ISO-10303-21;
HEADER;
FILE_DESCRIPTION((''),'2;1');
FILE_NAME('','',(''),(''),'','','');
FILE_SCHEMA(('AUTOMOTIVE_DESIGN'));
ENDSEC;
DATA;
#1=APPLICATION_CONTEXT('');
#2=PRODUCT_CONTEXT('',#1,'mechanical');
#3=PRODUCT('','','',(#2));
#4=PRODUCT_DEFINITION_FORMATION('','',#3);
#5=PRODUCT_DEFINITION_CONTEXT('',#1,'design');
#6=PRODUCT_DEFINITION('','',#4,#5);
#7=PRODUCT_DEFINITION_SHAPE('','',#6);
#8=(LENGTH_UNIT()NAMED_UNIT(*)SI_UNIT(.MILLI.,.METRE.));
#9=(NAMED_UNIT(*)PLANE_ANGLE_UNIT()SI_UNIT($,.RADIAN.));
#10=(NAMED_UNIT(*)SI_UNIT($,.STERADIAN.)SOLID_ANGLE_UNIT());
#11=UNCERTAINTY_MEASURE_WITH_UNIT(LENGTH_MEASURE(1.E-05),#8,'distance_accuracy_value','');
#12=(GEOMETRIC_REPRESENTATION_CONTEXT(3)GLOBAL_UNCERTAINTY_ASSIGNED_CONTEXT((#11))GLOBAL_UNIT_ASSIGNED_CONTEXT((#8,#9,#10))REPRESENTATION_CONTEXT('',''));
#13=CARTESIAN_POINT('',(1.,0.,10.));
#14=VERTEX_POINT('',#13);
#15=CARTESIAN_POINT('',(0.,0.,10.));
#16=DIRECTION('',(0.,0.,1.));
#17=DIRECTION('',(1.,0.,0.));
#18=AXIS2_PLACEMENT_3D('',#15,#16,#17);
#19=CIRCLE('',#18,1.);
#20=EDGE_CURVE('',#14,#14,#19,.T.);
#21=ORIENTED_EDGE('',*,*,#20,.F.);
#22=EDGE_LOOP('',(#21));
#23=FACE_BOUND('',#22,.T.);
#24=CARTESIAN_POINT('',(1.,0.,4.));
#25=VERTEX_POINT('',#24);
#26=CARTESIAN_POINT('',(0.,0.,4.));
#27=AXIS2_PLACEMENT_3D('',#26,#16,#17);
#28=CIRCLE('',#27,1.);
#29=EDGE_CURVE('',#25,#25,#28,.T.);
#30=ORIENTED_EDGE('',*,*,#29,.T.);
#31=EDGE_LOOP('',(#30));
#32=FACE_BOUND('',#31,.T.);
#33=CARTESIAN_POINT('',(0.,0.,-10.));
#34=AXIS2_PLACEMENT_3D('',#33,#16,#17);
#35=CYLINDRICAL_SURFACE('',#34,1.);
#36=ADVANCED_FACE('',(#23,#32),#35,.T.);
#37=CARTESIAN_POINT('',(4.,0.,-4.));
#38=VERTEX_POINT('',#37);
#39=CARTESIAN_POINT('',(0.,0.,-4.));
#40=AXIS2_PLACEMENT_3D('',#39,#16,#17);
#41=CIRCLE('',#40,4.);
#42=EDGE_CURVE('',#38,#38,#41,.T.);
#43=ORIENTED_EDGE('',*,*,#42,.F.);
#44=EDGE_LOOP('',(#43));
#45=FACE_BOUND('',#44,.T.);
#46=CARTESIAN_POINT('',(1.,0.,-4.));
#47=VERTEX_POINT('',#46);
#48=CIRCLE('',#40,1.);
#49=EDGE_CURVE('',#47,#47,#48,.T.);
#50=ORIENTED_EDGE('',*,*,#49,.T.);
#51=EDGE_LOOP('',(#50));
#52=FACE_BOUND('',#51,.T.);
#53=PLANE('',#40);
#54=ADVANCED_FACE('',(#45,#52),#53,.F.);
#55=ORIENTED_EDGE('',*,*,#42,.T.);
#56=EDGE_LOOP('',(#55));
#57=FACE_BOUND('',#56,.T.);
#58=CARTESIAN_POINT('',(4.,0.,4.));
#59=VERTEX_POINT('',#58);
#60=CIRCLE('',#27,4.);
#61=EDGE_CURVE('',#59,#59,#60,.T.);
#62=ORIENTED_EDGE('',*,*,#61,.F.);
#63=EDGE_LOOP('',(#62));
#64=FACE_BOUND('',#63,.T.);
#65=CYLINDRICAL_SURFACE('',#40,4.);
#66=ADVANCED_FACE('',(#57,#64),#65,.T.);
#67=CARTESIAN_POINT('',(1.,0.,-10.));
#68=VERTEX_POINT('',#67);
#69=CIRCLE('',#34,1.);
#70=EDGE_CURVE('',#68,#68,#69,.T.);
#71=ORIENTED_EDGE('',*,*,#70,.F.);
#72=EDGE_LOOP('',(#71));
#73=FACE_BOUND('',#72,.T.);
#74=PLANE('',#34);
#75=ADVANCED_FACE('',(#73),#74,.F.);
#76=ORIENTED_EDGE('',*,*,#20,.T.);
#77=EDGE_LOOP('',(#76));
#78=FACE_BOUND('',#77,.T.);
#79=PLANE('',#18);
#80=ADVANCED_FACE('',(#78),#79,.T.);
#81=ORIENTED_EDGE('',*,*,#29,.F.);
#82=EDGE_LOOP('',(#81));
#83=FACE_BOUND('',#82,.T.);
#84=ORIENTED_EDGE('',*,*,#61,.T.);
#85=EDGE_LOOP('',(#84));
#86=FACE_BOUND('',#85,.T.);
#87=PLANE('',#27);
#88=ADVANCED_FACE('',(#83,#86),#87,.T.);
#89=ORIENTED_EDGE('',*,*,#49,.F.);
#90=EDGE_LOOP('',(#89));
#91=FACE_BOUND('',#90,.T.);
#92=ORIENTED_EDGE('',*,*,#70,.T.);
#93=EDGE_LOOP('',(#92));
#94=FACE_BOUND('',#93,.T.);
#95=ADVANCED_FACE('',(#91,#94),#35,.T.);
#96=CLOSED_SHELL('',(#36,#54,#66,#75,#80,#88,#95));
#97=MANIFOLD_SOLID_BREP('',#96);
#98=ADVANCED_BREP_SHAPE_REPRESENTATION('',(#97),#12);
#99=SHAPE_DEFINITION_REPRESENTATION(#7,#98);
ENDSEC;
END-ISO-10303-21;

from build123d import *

# Parameters (mm, degrees)
BOSS_EXTRU_1_DEPTH      = 4
BOSS_EXTRU_1_DEPTH_BACK = 4
ESQUISSE1_R             = 4
BOSS_EXTRU_2_DEPTH      = 10
BOSS_EXTRU_2_DEPTH_BACK = 10
ESQUISSE2_R             = 1


with BuildPart() as part:
    # Esquisse1 → Boss.-Extru.1 (new, two sides: drawn at the far end of the back side and taken through both)
    with BuildSketch(Plane.XY.offset(-BOSS_EXTRU_1_DEPTH_BACK)):
        Circle(ESQUISSE1_R)
    extrude(amount=BOSS_EXTRU_1_DEPTH + BOSS_EXTRU_1_DEPTH_BACK)

    # Esquisse2 → Boss.-Extru.2 (add, two sides: drawn at the far end of the back side and taken through both)
    with BuildSketch(Plane.XY.offset(-BOSS_EXTRU_2_DEPTH_BACK)):
        Circle(ESQUISSE2_R)
    extrude(amount=BOSS_EXTRU_2_DEPTH + BOSS_EXTRU_2_DEPTH_BACK)


solid = part.part
